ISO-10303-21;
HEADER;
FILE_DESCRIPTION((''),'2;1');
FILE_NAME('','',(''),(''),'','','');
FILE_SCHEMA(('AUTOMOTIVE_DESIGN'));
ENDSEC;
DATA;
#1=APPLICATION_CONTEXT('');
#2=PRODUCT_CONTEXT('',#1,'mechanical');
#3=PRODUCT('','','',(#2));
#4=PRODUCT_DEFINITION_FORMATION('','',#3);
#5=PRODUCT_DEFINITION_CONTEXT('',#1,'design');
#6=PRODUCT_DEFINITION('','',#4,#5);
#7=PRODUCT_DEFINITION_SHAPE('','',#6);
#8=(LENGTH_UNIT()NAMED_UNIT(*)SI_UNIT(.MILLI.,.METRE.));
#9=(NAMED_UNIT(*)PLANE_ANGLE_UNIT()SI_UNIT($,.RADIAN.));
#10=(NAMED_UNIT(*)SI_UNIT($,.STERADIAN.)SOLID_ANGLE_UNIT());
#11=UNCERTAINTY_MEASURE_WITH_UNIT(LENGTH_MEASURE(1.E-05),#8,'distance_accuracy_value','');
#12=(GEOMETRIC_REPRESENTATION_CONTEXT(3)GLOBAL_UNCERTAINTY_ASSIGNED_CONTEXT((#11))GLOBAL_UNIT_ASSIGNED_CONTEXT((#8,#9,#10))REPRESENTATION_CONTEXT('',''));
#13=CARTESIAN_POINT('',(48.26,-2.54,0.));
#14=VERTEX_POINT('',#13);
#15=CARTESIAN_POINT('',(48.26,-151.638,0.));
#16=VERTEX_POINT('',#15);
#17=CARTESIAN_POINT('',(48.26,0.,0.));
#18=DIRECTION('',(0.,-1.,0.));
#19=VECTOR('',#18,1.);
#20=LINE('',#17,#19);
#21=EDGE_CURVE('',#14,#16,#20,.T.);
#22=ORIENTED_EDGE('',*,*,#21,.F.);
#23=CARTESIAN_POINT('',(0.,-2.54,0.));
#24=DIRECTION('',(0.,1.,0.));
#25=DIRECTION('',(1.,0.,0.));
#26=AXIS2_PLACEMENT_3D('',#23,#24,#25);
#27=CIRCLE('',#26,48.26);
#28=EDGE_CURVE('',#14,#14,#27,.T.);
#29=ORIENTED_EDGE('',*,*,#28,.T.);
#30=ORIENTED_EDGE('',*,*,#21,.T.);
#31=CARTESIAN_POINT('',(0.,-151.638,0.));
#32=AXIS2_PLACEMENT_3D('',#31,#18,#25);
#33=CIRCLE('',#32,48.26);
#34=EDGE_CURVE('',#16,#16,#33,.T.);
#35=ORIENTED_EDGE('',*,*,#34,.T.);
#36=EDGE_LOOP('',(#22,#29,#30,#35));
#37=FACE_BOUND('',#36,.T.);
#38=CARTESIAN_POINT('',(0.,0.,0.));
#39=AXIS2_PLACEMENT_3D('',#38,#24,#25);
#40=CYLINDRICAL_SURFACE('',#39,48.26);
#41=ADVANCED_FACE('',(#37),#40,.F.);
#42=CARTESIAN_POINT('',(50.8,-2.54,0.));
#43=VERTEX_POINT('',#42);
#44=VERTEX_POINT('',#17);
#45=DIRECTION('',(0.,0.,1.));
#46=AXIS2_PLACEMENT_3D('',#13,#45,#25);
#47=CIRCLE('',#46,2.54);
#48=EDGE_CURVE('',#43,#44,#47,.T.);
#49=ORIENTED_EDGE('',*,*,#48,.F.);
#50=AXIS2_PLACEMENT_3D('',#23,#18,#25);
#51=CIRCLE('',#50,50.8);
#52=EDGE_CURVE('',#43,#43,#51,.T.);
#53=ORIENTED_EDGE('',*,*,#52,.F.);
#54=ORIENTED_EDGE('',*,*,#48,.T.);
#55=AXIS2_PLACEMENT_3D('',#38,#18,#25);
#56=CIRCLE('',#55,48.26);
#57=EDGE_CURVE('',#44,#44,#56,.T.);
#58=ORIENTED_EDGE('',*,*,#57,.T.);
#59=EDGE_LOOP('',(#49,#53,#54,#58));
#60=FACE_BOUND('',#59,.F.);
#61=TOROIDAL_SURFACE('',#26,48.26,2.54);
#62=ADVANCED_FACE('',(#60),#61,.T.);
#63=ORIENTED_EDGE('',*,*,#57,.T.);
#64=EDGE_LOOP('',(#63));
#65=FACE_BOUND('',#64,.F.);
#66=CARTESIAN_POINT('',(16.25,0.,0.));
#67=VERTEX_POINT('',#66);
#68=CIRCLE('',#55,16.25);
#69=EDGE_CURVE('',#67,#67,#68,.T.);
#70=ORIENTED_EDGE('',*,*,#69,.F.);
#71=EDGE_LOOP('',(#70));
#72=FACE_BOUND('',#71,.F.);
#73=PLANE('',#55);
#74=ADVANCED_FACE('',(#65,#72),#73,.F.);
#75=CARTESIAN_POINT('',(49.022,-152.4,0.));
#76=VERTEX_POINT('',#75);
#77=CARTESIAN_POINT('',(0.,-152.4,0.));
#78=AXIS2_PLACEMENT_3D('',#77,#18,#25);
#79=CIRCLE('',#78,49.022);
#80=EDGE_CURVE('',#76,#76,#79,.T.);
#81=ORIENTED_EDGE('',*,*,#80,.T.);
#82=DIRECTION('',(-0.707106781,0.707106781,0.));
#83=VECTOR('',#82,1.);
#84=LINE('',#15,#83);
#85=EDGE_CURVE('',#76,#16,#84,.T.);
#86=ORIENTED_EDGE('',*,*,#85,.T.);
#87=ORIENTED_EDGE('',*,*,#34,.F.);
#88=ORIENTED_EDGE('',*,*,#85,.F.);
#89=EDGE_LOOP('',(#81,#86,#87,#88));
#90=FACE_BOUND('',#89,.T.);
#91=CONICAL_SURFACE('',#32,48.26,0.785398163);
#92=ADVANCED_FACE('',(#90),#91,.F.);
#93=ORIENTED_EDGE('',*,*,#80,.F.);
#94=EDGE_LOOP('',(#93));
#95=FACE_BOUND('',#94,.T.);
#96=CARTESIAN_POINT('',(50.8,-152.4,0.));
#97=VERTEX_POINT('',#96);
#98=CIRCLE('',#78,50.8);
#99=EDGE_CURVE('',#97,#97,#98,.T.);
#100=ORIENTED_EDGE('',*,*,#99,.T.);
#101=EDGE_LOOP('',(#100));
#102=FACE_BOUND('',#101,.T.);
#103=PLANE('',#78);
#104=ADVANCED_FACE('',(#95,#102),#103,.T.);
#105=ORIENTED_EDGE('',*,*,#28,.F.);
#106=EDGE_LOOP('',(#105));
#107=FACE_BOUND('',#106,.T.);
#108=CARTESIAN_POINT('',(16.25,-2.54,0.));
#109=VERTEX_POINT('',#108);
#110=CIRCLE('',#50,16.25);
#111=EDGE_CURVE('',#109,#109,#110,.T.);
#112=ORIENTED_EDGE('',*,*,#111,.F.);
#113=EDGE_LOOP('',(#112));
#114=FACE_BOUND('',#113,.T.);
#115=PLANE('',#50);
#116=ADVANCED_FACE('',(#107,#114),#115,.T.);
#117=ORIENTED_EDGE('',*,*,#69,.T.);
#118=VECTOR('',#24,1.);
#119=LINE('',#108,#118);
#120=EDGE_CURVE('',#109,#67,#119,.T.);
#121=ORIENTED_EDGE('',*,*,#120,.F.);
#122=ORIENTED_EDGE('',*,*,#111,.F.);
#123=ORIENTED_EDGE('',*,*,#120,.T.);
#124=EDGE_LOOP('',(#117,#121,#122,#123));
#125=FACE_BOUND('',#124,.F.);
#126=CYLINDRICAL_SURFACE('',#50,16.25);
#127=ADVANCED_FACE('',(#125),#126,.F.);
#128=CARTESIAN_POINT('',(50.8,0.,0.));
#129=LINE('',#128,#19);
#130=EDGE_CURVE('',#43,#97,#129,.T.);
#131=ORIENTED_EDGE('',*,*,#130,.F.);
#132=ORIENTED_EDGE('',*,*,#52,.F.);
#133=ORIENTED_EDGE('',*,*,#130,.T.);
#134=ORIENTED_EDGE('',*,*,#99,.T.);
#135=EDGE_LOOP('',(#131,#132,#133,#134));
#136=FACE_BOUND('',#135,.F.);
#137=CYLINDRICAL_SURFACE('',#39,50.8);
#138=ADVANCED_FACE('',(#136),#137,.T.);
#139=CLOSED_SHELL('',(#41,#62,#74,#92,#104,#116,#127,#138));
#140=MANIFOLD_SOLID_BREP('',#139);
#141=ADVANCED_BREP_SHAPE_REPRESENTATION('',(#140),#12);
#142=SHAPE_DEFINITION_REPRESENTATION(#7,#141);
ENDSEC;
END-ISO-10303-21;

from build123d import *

# Parameters (mm, degrees)
F0_R          = 50.8
F1_DEPTH      = 152.4
F2_T          = -2.54
F3_R          = 16.25
F4_DEPTH      = 25.4
F4_DEPTH_BACK = 25.4
F5_SIZE       = 0.762
F6_R          = 2.54


with BuildPart() as f1:
    # F0 (on Front) → F1 (new body)
    with BuildSketch(Plane.XZ):
        Circle(F0_R)
    extrude(amount=F1_DEPTH)

    # F2
    f2_openings = [f1.faces().sort_by_distance(p)[0] for p in [
        (0, -152.4, 0),
    ]]
    offset(amount=F2_T, openings=f2_openings)

    # F3 (on face) → F4 (cut, two sides)
    with BuildSketch(Plane.XZ.offset(2.54)) as f4_sk:
        Circle(F3_R)
    extrude(amount=-F4_DEPTH, mode=Mode.SUBTRACT)
    extrude(f4_sk.sketch, amount=F4_DEPTH_BACK, mode=Mode.SUBTRACT)

    # F5
    f5_edges = [f1.edges().sort_by_distance(p)[0] for p in [
        (-48.26, -152.4, 0),
    ]]
    chamfer(f5_edges, length=F5_SIZE)

    # F6
    f6_edges = [f1.edges().sort_by_distance(p)[0] for p in [
        (-50.8, 0, 0),
    ]]
    fillet(f6_edges, radius=F6_R)


solid = f1.part
